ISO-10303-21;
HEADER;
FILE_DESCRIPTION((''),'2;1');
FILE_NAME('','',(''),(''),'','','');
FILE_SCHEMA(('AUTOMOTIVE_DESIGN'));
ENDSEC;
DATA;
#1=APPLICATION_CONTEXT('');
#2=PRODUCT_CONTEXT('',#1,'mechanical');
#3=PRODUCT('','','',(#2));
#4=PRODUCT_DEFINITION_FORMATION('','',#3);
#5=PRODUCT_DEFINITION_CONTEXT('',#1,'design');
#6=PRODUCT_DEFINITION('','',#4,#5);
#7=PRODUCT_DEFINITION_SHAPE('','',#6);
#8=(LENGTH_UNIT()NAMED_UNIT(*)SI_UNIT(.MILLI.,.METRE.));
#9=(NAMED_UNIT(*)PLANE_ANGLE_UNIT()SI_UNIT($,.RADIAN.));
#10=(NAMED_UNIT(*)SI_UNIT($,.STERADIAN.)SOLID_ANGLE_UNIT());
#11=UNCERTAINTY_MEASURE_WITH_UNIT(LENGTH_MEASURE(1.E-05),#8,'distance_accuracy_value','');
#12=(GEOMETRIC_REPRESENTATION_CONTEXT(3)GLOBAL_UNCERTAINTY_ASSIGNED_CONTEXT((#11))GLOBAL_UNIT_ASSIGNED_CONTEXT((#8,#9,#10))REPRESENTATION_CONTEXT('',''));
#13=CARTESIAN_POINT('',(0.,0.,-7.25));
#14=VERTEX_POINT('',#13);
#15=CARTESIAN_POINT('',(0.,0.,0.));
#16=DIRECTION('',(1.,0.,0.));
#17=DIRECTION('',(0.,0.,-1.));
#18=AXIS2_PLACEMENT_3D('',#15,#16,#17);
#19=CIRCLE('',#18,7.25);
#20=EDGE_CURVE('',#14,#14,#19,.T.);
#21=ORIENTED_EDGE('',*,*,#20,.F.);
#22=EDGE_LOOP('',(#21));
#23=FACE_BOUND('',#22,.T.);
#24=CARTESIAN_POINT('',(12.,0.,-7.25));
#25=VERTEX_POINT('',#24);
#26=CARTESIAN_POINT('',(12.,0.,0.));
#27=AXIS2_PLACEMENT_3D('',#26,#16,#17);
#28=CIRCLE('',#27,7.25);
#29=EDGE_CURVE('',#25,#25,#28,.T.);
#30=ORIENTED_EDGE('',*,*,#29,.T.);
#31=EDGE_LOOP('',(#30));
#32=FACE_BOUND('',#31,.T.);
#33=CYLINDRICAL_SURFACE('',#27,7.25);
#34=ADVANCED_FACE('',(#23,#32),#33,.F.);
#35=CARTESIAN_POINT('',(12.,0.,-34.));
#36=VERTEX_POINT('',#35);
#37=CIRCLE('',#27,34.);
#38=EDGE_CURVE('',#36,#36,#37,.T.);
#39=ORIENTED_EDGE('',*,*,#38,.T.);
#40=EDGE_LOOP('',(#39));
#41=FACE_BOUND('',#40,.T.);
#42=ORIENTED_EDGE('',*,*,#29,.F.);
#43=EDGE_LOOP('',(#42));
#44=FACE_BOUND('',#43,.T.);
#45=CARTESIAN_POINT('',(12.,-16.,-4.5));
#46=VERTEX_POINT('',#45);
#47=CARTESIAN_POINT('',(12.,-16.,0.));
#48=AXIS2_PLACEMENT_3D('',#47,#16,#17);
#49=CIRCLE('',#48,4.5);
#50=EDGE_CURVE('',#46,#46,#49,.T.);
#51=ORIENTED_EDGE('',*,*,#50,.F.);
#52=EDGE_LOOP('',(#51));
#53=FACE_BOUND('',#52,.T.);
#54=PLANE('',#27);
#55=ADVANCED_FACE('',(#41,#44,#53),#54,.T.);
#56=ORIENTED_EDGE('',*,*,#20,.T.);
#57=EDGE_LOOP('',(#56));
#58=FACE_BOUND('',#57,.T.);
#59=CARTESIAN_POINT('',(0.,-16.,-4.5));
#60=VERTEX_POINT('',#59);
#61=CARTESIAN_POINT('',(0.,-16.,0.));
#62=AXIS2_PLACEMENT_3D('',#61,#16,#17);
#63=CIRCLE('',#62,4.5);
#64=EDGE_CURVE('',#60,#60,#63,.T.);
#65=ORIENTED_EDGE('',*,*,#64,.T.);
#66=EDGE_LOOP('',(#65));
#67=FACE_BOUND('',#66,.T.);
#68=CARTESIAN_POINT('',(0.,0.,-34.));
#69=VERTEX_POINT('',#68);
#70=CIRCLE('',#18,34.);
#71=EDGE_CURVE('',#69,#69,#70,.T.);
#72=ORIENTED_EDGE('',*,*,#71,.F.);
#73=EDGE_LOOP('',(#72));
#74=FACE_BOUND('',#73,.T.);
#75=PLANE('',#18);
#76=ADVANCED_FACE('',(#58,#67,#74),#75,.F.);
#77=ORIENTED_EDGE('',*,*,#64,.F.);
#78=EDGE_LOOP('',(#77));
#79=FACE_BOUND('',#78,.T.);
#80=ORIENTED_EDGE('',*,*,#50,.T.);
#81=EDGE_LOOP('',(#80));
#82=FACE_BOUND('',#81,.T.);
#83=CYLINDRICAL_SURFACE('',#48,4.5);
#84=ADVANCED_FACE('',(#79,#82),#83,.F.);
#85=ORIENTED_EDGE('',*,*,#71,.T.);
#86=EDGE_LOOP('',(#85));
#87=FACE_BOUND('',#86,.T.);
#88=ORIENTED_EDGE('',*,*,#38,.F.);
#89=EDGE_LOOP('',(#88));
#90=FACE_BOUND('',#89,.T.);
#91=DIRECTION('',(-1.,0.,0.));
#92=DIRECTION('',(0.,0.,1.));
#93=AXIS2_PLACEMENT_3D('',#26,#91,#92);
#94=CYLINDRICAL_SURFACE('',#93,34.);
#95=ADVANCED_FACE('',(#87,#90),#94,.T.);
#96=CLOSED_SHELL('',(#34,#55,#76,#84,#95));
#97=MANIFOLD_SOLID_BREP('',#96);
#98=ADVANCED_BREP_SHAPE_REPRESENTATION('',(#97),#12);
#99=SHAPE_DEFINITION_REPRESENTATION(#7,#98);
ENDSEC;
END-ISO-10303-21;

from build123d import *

# Parameters (mm, degrees)
SKETCH1_R                 = 34
BOSS_EXTRUDE1_DEPTH       = 12
M13_CLEARANCE_HOLE1_D     = 14.5
M13_CLEARANCE_HOLE1_DEPTH = 30
M13_CLEARANCE_HOLE1_TIP   = 4.356239488
M8_CLEARANCE_HOLE1_D      = 9
M8_CLEARANCE_HOLE1_DEPTH  = 30
M8_CLEARANCE_HOLE1_TIP    = 2.703872786


with BuildPart() as part:
    # Sketch1 → Boss-Extrude1 (new body)
    with BuildSketch(Plane(origin=(0, 0, 0), x_dir=(0, 0, -1), z_dir=(1, 0, 0))):
        Circle(SKETCH1_R)
    extrude(amount=BOSS_EXTRUDE1_DEPTH)

    # M13 Clearance Hole1
    with Locations(Plane(origin=(12, 0, 0), x_dir=(0, 0, -1), z_dir=(1, 0, 0))):
        with Locations((0, 0)):
            Hole(M13_CLEARANCE_HOLE1_D / 2, depth=M13_CLEARANCE_HOLE1_DEPTH)
            with Locations((0, 0, -(M13_CLEARANCE_HOLE1_DEPTH + M13_CLEARANCE_HOLE1_TIP / 2))):  # 118° drill point
                Cone(0, M13_CLEARANCE_HOLE1_D / 2, M13_CLEARANCE_HOLE1_TIP, mode=Mode.SUBTRACT)

    # M8 Clearance Hole1
    with Locations(Plane(origin=(12, 0, 0), x_dir=(0, 0, -1), z_dir=(1, 0, 0))):
        with Locations((0, -16)):
            Hole(M8_CLEARANCE_HOLE1_D / 2, depth=M8_CLEARANCE_HOLE1_DEPTH)
            with Locations((0, 0, -(M8_CLEARANCE_HOLE1_DEPTH + M8_CLEARANCE_HOLE1_TIP / 2))):  # 118° drill point
                Cone(0, M8_CLEARANCE_HOLE1_D / 2, M8_CLEARANCE_HOLE1_TIP, mode=Mode.SUBTRACT)


solid = part.part
